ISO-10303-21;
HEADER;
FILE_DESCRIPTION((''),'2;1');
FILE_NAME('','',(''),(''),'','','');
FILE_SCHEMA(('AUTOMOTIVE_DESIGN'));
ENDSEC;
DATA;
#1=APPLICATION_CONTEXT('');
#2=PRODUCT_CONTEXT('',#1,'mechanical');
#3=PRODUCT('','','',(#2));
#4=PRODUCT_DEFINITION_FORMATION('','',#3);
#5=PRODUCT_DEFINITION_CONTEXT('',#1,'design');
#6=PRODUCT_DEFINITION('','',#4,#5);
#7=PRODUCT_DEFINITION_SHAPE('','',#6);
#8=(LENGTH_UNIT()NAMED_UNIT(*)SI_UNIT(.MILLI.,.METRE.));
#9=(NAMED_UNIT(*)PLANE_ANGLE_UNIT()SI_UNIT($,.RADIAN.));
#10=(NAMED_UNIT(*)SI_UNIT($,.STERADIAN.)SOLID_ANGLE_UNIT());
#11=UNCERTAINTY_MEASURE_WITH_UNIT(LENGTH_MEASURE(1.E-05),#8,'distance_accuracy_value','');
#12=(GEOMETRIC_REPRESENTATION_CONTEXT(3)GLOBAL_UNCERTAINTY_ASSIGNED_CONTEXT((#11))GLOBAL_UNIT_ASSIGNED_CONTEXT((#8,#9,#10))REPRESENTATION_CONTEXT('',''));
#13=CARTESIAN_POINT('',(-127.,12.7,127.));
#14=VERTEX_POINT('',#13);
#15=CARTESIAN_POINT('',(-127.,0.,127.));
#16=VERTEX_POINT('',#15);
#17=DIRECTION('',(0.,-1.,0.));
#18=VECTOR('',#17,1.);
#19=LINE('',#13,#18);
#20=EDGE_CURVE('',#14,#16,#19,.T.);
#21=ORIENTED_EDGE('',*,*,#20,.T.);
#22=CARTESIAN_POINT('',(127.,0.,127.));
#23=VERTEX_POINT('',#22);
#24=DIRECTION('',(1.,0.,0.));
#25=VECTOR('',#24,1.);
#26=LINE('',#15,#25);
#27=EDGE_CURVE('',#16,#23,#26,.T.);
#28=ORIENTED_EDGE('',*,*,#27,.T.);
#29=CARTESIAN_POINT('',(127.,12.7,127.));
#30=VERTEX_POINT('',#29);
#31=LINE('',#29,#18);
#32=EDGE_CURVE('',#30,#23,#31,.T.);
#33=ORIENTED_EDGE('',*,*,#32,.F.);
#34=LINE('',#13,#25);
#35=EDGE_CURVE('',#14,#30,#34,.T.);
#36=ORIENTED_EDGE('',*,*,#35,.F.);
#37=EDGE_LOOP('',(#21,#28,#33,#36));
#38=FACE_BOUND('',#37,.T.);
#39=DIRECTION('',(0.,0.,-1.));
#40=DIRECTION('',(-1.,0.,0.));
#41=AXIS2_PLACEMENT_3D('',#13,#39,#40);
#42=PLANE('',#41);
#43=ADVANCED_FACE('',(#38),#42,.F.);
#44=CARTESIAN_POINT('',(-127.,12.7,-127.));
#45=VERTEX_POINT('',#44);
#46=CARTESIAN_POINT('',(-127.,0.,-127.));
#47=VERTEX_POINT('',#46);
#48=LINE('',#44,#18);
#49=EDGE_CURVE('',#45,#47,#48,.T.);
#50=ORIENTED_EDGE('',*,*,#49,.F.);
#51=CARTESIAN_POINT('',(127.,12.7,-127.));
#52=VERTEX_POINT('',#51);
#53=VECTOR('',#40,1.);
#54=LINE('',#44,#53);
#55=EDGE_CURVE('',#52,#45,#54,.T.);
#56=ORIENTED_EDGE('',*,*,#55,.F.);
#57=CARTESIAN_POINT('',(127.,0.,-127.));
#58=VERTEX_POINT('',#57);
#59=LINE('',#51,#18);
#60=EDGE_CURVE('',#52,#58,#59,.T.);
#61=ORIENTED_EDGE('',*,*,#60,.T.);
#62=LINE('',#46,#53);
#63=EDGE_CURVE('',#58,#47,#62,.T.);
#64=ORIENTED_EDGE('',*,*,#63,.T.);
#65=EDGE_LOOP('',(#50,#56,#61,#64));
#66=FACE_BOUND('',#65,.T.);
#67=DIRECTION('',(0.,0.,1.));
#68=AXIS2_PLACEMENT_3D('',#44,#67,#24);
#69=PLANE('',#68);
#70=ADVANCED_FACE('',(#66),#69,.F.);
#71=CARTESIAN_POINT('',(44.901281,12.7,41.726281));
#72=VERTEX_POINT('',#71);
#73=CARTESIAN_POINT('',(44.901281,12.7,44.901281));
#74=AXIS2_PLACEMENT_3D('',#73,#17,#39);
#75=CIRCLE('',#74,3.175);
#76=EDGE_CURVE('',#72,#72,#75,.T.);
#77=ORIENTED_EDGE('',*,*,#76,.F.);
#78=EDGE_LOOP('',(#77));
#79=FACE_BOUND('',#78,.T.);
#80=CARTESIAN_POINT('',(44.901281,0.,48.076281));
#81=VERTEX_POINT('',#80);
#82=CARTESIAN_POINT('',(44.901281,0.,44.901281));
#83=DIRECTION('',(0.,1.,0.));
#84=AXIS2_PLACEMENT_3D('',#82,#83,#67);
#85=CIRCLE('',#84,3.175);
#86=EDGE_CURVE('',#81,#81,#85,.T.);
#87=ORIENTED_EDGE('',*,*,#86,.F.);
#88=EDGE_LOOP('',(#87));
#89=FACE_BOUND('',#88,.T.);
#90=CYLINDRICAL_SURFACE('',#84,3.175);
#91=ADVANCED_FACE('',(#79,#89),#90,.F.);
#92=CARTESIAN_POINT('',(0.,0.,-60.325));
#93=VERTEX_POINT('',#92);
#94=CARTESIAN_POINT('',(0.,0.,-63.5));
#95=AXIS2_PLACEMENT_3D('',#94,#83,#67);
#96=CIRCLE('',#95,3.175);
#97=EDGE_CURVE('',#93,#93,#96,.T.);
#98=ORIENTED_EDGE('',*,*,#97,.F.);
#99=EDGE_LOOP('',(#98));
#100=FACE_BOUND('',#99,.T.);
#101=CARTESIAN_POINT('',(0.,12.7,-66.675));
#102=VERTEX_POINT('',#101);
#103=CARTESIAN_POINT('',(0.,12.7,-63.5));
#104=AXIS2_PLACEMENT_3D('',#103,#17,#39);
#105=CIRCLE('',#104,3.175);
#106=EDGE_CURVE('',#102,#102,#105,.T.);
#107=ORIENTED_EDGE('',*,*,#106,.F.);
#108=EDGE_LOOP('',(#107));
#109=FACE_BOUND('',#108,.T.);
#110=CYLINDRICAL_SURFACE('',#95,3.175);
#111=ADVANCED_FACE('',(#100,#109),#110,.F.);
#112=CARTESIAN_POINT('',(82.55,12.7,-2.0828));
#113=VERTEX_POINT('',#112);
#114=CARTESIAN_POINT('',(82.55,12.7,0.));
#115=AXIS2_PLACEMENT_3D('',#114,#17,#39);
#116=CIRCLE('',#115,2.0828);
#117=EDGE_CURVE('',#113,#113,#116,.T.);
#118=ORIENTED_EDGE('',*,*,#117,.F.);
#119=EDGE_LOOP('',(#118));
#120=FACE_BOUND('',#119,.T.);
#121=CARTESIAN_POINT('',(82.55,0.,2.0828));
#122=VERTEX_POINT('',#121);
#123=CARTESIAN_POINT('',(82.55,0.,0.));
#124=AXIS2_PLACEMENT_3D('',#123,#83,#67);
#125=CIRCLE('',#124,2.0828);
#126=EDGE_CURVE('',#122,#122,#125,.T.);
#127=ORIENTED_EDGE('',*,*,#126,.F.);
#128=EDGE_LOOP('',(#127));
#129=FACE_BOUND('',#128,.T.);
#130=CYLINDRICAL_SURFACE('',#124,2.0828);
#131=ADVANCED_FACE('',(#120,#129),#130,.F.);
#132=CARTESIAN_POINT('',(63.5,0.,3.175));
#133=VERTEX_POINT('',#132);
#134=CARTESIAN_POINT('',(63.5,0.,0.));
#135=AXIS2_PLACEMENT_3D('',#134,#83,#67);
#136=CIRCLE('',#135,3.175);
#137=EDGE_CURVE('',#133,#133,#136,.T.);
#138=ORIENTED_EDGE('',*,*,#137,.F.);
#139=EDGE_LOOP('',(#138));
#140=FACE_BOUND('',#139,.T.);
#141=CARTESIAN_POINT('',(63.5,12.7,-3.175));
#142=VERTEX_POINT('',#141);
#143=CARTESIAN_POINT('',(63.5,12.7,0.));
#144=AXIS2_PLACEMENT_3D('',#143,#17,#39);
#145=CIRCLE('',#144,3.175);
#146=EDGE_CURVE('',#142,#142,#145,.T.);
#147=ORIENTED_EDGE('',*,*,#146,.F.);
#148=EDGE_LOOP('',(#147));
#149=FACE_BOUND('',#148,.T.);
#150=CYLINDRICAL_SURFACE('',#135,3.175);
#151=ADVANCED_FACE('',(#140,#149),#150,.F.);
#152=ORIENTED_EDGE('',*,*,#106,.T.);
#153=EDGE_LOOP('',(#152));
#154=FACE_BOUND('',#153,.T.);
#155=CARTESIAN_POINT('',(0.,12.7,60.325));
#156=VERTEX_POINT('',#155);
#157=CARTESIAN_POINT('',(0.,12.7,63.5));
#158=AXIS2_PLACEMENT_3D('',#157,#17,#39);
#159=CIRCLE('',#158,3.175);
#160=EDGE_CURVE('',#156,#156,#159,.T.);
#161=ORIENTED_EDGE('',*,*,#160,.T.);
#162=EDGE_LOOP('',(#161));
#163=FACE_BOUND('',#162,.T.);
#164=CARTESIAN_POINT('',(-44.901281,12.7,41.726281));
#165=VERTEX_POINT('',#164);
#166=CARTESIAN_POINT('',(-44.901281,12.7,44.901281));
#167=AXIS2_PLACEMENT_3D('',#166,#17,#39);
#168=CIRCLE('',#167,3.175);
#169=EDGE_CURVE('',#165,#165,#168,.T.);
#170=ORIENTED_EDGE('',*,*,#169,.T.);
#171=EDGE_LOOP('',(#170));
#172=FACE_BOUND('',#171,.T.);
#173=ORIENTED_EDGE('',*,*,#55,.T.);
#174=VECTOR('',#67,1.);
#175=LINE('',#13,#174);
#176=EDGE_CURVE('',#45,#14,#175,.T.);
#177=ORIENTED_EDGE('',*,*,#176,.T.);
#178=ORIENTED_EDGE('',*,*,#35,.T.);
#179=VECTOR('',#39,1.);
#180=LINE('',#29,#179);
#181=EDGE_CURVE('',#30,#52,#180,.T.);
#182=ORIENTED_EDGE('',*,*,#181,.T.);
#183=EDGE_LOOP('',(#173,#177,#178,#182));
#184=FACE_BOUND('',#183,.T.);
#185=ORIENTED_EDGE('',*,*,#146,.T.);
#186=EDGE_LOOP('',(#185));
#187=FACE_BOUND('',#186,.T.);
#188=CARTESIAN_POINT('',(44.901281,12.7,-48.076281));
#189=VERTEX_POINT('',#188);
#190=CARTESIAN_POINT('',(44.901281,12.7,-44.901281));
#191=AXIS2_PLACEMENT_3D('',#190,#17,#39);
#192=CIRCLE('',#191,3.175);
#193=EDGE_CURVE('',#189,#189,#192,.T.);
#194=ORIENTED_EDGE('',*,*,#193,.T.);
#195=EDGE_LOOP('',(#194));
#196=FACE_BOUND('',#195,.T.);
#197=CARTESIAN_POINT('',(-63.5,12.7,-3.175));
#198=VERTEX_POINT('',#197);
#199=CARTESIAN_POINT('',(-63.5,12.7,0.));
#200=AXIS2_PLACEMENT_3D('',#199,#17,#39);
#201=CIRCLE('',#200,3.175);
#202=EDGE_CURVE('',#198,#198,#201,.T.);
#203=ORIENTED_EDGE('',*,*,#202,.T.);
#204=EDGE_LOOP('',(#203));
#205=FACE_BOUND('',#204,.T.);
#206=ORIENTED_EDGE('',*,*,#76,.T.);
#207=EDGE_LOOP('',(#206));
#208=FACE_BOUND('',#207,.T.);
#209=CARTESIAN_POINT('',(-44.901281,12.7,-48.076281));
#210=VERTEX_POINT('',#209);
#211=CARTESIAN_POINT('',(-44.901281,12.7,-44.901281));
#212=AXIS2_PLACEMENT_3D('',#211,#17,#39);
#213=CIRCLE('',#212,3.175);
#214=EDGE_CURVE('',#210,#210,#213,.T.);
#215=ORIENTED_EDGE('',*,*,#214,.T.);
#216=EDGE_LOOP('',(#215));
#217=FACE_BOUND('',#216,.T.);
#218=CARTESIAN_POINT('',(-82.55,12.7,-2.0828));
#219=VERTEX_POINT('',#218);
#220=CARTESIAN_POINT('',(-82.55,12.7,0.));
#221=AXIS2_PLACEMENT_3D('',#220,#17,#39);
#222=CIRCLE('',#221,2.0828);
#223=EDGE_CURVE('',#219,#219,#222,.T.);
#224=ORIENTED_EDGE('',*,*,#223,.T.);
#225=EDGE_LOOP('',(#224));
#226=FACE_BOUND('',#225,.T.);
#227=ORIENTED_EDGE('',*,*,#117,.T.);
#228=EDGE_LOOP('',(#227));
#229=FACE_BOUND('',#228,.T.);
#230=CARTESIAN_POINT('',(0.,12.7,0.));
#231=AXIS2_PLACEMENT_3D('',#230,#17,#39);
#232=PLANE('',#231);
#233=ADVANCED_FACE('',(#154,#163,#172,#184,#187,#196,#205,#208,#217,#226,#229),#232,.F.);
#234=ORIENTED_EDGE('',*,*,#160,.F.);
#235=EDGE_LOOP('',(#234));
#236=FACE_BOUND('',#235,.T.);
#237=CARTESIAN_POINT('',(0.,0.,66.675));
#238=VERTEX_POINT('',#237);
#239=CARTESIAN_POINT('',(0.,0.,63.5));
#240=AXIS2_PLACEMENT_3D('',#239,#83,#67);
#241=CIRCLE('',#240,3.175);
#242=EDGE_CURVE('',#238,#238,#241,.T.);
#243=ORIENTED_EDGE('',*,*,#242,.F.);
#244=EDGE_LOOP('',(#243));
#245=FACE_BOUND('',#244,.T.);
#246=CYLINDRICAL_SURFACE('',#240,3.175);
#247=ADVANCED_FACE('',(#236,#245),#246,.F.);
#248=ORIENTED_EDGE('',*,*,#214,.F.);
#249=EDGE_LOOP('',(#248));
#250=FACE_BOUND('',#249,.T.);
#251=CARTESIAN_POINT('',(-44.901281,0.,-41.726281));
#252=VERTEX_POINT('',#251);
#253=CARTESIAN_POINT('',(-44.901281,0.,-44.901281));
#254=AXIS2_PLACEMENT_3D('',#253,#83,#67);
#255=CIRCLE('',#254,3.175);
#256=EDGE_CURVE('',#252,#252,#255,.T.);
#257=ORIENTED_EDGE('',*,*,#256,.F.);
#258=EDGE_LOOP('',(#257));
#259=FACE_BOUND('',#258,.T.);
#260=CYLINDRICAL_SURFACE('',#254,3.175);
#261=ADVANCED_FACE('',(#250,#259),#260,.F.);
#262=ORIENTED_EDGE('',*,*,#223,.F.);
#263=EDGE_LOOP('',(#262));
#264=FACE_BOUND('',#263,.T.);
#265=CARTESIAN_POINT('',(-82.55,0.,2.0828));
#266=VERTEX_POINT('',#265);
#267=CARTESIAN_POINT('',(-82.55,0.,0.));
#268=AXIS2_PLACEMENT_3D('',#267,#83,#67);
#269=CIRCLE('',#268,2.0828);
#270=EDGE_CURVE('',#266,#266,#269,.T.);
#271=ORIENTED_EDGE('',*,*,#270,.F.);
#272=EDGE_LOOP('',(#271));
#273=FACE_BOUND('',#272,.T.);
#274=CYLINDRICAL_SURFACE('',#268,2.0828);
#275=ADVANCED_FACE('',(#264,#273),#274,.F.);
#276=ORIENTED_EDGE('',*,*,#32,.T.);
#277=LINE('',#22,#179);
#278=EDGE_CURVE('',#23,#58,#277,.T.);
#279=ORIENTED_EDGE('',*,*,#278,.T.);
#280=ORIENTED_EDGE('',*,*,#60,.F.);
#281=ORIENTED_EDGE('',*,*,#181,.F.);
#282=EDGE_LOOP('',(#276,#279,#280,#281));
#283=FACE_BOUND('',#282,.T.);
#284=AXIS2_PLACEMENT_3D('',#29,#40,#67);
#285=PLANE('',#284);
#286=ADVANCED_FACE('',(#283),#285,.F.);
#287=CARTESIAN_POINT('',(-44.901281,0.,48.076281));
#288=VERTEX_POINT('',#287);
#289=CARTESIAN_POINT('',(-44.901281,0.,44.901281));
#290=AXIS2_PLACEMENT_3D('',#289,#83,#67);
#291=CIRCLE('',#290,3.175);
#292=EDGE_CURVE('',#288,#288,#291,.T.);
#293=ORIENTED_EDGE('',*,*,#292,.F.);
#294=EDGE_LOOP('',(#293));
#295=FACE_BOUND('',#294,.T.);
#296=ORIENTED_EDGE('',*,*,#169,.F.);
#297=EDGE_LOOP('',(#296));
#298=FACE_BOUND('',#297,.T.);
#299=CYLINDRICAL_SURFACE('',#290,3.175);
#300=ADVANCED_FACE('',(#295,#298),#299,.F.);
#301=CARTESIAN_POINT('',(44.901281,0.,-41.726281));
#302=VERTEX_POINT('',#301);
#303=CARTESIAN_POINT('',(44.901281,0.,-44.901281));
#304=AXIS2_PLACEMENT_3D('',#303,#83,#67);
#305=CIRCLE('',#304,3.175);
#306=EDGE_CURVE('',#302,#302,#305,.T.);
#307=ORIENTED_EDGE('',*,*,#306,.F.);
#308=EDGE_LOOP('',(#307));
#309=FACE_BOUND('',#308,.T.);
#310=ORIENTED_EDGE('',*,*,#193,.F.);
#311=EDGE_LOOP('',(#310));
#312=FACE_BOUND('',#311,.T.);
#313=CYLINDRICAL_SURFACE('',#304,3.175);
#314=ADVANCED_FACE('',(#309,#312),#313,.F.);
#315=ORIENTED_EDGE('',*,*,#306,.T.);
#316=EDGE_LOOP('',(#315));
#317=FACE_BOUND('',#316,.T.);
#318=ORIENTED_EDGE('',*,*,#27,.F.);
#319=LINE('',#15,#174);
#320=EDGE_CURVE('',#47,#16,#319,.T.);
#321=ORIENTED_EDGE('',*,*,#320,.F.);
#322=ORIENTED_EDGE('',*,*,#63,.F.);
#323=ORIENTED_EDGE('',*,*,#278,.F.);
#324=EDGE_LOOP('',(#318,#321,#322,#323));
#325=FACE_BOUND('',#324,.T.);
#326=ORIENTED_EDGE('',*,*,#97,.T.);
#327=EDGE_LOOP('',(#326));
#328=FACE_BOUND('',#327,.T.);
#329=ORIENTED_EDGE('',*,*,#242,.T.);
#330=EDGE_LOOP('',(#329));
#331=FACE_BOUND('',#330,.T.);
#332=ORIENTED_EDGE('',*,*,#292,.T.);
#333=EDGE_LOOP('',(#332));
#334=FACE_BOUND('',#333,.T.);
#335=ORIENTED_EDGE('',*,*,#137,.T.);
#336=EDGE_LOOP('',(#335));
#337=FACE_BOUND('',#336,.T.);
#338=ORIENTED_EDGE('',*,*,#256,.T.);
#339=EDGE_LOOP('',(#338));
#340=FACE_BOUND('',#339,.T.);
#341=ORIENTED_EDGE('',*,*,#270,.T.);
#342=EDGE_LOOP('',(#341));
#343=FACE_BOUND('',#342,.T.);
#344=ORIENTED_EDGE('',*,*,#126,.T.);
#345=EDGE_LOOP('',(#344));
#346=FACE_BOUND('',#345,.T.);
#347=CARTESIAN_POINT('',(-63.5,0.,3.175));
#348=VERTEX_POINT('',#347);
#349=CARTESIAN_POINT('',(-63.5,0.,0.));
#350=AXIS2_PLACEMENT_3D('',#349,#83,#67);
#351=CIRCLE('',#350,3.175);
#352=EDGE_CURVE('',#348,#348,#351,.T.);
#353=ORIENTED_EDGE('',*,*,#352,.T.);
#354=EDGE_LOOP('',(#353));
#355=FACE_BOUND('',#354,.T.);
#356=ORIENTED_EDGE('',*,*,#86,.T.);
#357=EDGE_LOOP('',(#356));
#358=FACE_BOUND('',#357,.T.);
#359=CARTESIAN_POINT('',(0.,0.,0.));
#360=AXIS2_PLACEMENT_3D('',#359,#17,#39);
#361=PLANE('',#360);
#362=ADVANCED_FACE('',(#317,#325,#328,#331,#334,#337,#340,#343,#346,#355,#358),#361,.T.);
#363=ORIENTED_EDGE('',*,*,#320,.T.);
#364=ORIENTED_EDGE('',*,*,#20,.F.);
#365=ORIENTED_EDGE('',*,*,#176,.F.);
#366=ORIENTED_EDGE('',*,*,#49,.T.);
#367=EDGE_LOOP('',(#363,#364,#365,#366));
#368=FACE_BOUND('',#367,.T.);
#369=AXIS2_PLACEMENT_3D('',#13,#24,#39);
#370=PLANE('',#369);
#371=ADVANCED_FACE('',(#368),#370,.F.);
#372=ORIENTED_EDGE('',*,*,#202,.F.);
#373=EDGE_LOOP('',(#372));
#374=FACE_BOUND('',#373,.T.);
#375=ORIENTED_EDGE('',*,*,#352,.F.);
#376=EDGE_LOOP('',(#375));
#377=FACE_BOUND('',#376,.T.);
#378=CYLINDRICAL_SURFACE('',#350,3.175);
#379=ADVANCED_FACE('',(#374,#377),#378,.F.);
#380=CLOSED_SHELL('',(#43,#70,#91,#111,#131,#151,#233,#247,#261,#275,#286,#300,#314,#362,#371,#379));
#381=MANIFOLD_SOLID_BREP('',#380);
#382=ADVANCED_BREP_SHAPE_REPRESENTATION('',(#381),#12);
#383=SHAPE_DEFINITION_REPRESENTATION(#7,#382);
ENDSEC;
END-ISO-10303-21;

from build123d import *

# Parameters (mm, degrees)
SKETCH1_W               = 254
SKETCH1_H               = 254
BOSS_EXTRUDE1_DEPTH     = 12.7
CUT_EXTRUDE2_DEPTH      = 181.05357536
CUT_EXTRUDE2_DEPTH_BACK = 181.05357536
SKETCH6_R               = 3.175
CUT_EXTRUDE3_DEPTH      = 181.05357536
CUT_EXTRUDE3_DEPTH_BACK = 181.05357536
SKETCH7_R               = 2.0828


with BuildPart() as part:
    # Sketch1 → Boss-Extrude1 (new body)
    with BuildSketch(Plane(origin=(0, 0, 0), x_dir=(1, 0, 0), z_dir=(0, 1, 0))):
        Rectangle(SKETCH1_W, SKETCH1_H)
    extrude(amount=BOSS_EXTRUDE1_DEPTH)

    # Sketch6 → Cut-Extrude2 (cut, two sides: drawn at the far end of the back side and taken through both)
    with BuildSketch(Plane(origin=(0, 12.7, 0), x_dir=(1, 0, 0), z_dir=(0, 1, 0)).offset(-CUT_EXTRUDE2_DEPTH_BACK)):
        with Locations(Location((0, 63.5, 0), (0, 0, 270))):
            Circle(SKETCH6_R)
        with Locations(Location((44.901280605, 44.901280605, 0), (0, 0, 270))):
            Circle(SKETCH6_R)
        with Locations(Location((63.5, 0, 0), (0, 0, 270))):
            Circle(SKETCH6_R)
        with Locations(Location((44.901280605, -44.901280605, 0), (0, 0, 270))):
            Circle(SKETCH6_R)
        with Locations(Location((0, -63.5, 0), (0, 0, 270))):
            Circle(SKETCH6_R)
        with Locations(Location((-44.901280605, -44.901280605, 0), (0, 0, 270))):
            Circle(SKETCH6_R)
        with Locations(Location((-63.5, 0, 0), (0, 0, 270))):
            Circle(SKETCH6_R)
        with Locations(Location((-44.901280605, 44.901280605, 0), (0, 0, 270))):
            Circle(SKETCH6_R)
    extrude(amount=CUT_EXTRUDE2_DEPTH + CUT_EXTRUDE2_DEPTH_BACK, mode=Mode.SUBTRACT)

    # Sketch7 → Cut-Extrude3 (cut, two sides: drawn at the far end of the back side and taken through both)
    with BuildSketch(Plane(origin=(0, 12.7, 0), x_dir=(1, 0, 0), z_dir=(0, 1, 0)).offset(-CUT_EXTRUDE3_DEPTH_BACK)):
        with Locations(Location((-82.55, 0, 0), (0, 0, 270))):
            Circle(SKETCH7_R)
        with Locations(Location((82.55, 0, 0), (0, 0, 270))):
            Circle(SKETCH7_R)
    extrude(amount=CUT_EXTRUDE3_DEPTH + CUT_EXTRUDE3_DEPTH_BACK, mode=Mode.SUBTRACT)


solid = part.part
